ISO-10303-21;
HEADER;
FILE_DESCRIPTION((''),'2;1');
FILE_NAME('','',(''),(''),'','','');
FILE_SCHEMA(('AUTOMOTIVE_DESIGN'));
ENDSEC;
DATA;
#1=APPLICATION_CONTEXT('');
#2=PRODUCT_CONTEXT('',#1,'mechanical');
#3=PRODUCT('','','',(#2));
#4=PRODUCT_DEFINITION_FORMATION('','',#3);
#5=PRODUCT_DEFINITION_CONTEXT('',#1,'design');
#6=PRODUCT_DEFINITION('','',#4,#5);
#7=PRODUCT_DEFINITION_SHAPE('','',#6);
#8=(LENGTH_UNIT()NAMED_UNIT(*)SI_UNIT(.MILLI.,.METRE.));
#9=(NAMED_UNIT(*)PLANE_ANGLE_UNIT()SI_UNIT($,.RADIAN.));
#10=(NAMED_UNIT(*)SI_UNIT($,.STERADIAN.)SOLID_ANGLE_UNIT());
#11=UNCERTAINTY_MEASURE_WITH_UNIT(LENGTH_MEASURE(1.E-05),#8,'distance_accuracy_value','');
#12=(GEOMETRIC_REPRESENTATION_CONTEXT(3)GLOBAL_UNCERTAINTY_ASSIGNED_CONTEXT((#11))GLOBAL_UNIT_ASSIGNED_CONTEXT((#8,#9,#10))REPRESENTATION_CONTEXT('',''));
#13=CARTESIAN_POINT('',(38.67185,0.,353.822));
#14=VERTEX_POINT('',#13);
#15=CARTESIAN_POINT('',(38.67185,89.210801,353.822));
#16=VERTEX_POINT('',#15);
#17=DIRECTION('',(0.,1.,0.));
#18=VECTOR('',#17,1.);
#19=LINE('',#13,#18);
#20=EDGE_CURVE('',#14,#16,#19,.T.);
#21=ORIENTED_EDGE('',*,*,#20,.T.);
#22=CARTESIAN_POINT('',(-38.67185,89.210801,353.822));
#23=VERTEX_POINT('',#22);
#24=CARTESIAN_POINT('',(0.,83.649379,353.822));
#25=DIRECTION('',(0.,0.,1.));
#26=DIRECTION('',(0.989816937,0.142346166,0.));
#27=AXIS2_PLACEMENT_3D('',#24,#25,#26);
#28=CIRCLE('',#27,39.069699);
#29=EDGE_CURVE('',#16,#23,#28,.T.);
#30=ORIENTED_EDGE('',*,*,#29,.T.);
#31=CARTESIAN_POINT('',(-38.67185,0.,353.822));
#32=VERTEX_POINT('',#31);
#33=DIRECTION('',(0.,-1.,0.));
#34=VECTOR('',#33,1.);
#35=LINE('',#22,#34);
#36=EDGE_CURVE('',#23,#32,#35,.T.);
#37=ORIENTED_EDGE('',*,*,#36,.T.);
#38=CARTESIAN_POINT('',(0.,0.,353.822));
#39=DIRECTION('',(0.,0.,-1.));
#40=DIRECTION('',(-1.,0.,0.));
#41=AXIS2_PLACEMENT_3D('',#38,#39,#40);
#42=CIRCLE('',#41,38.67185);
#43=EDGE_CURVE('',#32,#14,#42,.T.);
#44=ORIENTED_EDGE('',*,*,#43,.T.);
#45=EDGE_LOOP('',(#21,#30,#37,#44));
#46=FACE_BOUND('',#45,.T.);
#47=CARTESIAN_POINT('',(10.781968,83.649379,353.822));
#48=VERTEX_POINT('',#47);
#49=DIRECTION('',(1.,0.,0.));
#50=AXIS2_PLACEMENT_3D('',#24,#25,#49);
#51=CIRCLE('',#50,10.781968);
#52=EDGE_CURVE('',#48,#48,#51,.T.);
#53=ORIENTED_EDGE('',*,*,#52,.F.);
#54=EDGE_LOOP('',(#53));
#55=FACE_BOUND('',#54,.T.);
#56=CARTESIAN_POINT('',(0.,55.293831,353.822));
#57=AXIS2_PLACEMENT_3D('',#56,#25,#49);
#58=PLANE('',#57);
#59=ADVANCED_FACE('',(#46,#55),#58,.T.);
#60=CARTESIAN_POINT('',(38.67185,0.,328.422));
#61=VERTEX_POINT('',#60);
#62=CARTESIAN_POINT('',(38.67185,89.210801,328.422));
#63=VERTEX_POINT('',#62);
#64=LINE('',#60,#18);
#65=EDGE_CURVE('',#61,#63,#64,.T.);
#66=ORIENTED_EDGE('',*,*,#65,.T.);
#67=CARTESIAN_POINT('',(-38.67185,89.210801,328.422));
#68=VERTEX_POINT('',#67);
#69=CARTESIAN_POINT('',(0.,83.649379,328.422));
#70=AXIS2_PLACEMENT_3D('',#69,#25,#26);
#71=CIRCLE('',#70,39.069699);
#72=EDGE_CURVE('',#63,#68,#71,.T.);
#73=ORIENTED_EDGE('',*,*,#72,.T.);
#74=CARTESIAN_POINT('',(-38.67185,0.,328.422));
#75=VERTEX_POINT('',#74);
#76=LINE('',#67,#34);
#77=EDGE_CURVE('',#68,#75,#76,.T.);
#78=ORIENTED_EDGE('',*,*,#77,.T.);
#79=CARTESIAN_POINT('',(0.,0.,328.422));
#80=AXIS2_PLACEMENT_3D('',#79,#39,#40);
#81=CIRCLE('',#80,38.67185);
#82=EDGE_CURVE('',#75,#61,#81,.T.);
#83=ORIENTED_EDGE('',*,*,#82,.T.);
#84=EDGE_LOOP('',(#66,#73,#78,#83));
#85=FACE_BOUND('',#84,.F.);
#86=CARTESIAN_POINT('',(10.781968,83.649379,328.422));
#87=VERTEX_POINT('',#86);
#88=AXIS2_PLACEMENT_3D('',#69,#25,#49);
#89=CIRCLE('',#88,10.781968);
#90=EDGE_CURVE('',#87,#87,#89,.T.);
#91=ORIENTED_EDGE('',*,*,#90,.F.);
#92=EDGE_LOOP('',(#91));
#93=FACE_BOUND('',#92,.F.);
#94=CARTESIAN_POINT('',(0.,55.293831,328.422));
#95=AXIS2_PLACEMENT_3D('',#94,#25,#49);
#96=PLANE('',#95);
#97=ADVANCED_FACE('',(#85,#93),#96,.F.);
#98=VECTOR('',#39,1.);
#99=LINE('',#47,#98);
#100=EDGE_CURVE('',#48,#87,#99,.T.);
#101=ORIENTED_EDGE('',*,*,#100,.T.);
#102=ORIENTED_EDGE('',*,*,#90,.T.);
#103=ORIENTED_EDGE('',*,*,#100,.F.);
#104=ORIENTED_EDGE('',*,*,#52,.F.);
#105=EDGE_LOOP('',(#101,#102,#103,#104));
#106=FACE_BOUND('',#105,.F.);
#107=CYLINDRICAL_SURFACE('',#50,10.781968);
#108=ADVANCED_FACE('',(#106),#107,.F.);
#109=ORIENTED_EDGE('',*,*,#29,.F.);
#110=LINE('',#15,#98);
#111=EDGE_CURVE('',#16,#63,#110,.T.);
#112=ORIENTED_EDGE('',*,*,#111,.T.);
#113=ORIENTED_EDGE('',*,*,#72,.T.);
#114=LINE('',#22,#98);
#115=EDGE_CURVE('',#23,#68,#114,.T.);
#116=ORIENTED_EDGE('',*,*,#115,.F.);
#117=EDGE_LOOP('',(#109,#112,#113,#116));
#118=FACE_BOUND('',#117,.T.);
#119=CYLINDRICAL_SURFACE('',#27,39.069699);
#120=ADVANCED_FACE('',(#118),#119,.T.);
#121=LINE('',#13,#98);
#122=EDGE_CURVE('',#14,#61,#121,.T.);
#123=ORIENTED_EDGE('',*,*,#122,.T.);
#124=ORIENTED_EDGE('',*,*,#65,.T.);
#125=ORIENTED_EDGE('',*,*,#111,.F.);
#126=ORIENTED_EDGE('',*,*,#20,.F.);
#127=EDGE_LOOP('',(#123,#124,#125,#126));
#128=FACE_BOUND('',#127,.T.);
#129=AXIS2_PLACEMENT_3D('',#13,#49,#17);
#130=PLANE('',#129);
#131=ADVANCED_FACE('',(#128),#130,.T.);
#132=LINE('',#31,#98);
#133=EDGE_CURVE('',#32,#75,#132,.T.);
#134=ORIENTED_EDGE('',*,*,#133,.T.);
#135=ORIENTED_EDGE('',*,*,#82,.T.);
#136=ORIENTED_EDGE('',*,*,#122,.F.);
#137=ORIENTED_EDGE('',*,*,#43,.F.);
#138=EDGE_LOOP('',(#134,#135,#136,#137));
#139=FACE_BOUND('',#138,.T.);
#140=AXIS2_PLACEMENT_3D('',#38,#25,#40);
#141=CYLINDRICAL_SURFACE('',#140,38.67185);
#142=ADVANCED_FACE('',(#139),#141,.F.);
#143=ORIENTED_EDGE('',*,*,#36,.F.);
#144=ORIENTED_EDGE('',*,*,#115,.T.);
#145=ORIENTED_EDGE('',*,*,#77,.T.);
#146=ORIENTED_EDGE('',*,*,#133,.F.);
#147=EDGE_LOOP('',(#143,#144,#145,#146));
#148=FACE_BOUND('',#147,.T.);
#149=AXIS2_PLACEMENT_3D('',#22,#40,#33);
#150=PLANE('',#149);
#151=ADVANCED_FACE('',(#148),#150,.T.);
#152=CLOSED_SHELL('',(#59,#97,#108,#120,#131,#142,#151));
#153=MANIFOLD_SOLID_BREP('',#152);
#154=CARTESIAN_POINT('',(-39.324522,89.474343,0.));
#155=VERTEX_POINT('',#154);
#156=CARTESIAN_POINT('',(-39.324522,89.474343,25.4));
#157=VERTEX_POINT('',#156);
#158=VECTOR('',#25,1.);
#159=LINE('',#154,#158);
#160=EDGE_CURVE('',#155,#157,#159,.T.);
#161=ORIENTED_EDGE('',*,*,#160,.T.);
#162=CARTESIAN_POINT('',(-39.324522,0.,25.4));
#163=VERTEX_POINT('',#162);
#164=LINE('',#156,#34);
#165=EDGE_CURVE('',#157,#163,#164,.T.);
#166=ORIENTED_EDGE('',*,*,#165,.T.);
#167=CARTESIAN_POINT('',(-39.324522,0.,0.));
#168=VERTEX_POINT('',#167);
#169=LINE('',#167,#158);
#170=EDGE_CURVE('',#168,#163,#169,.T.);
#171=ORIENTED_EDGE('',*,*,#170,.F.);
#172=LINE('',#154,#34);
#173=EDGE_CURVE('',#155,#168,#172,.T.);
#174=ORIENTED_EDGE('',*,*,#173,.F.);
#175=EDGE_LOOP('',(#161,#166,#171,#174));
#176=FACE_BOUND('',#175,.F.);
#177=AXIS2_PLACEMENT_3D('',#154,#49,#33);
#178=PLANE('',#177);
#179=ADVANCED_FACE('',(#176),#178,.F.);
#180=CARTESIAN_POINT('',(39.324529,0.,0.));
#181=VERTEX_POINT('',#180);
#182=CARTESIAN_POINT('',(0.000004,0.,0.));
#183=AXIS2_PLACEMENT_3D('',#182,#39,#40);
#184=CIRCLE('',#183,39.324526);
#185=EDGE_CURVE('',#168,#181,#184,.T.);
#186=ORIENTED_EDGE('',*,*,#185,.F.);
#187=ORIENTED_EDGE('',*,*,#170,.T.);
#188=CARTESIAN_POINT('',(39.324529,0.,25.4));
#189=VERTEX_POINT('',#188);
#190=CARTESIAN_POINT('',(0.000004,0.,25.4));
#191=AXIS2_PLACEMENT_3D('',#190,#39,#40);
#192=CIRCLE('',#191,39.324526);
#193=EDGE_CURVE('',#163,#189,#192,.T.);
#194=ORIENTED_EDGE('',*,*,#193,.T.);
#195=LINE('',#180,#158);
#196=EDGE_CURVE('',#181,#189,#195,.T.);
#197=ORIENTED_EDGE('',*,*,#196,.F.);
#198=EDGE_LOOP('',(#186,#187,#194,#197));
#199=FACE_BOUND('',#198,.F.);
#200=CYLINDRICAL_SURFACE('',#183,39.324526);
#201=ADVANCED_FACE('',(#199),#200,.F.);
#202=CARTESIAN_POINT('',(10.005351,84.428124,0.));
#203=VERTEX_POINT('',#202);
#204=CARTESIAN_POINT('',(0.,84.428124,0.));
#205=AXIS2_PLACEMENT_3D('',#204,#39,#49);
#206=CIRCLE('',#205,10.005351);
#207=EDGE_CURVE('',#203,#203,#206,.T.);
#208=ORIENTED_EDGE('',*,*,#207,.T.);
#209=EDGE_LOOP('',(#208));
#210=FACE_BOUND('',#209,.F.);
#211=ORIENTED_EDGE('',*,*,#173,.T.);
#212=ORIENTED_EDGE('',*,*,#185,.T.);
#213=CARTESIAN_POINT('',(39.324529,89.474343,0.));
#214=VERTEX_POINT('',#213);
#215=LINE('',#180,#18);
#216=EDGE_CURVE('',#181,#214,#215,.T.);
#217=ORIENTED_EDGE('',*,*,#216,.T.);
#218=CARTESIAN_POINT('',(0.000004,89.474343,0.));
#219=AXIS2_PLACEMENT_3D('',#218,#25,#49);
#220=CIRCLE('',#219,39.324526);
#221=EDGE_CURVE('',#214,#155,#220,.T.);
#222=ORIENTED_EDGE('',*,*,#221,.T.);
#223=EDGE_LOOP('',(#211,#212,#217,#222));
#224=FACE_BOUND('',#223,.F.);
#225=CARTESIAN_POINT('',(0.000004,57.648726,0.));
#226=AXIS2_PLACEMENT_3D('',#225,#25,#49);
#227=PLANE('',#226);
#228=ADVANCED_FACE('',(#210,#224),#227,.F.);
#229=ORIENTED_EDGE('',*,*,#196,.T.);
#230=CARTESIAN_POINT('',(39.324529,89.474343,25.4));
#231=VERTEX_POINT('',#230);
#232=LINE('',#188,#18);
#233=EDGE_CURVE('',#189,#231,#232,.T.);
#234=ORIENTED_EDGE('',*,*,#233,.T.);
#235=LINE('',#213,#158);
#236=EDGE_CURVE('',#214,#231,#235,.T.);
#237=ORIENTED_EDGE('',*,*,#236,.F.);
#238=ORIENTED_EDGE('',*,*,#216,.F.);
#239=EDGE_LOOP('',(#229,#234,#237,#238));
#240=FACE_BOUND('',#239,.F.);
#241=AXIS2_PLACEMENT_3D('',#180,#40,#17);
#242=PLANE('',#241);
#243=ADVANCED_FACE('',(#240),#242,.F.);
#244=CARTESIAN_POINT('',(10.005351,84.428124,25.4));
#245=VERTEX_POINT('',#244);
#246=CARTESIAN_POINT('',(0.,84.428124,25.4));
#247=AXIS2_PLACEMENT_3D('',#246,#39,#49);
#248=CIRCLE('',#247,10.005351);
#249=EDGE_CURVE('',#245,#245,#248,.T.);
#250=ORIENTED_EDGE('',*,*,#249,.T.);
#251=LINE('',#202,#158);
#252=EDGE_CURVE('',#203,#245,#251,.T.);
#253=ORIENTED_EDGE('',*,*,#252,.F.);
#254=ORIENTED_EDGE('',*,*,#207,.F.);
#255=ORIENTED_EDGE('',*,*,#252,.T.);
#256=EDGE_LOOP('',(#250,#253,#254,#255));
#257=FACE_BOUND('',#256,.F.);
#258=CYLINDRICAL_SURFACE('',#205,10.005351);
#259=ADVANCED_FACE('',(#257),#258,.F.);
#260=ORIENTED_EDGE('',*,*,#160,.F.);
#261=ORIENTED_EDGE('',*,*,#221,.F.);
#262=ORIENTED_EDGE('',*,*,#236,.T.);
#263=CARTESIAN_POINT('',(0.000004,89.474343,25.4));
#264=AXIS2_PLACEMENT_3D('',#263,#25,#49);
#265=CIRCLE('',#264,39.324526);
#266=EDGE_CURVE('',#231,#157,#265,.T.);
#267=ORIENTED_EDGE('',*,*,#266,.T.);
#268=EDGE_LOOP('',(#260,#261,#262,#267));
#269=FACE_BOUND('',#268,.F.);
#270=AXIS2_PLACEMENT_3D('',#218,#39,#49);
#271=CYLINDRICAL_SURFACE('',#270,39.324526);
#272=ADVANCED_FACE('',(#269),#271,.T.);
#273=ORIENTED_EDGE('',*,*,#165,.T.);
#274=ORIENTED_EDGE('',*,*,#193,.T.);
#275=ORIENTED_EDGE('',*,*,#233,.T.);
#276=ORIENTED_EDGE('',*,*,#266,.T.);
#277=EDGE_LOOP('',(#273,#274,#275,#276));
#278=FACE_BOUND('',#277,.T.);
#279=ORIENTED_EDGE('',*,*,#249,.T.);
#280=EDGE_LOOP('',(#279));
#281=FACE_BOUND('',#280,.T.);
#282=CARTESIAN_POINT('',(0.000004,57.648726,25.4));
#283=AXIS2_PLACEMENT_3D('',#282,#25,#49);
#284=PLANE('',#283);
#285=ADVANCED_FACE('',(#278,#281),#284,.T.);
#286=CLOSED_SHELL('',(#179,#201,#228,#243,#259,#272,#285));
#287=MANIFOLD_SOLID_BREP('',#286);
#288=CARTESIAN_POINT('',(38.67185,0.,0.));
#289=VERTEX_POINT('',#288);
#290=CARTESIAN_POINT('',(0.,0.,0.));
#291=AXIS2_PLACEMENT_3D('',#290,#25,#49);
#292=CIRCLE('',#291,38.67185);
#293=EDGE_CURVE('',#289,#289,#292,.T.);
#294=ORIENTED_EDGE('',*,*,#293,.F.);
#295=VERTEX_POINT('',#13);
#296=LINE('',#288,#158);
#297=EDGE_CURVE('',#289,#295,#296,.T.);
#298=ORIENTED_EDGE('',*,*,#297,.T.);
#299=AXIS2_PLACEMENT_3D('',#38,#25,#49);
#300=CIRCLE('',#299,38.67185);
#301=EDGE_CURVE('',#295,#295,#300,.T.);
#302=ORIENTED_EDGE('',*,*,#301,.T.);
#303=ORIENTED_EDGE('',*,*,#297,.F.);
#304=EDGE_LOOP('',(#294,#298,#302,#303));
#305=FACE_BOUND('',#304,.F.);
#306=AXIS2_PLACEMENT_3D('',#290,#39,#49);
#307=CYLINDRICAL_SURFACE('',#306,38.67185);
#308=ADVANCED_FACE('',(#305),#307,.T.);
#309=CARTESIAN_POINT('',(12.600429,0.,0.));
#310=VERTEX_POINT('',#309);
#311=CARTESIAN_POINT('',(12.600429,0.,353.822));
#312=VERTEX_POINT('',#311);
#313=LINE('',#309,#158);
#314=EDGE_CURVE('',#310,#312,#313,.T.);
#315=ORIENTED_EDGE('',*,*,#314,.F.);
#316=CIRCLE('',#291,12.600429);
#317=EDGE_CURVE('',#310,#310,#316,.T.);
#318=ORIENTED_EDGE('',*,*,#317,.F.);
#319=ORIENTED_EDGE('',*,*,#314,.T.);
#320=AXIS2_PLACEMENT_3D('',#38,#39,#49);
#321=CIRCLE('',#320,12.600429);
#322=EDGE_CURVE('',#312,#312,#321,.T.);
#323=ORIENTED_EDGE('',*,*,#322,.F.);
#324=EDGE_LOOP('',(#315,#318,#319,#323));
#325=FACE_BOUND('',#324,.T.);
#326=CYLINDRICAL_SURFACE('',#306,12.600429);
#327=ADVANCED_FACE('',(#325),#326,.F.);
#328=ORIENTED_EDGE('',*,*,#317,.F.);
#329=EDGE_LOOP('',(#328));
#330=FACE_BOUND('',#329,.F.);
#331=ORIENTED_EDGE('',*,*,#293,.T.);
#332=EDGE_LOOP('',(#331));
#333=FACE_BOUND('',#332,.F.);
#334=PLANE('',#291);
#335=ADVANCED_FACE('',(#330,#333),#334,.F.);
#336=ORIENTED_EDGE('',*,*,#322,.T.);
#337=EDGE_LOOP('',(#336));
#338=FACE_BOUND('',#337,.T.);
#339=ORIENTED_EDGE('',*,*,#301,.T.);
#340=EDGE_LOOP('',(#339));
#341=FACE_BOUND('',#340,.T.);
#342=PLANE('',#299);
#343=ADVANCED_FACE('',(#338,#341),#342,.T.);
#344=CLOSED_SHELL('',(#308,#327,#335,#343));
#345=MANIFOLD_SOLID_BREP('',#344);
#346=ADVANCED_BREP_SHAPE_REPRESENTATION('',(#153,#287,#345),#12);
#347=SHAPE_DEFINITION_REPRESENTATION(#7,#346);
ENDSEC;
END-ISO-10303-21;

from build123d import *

# Parameters (mm, degrees)
F0_R      = 38.6718500402
F1_DEPTH  = 353.822
F2_R      = 12.6004290601
F3_DEPTH  = 353.823
F5_DEPTH  = 25.4
F7_DEPTH  = 25.4
F8_R      = 10.7819681828
F9_DEPTH  = 353.823
F10_R     = 10.0053513845
F11_DEPTH = 353.823


with BuildPart() as f1:
    # F0 (on Top) → F1 (new body)
    with BuildSketch(Plane.XY):
        Circle(F0_R)
    extrude(amount=F1_DEPTH)

    # F2 (on Top) → F3 (cut, through all)
    with BuildSketch(Plane.XY):
        Circle(F2_R)
    extrude(amount=F3_DEPTH, mode=Mode.SUBTRACT)


with BuildPart() as f5:
    # F4 (on Top) → F5 (new body)
    with BuildSketch(Plane.XY):
        with BuildLine():
            Line((-39.3245220184, 75.7770314813), (-39.3245220184, 0))
            ThreePointArc((-39.3245220184, 0), (3.7253e-06, 39.3245257437), (39.324529469, 0))
            Line((39.324529469, 0), (39.324529469, 75.7770314813))
            Line((39.324529469, 75.7770314813), (39.324529469, 89.4743427634))
            ThreePointArc((39.324529469, 89.4743427634), (3.7253e-06, 128.7988685071), (-39.3245220184, 89.4743427634))
            Line((-39.3245220184, 89.4743427634), (-39.3245220184, 75.7770314813))
        make_face()
    extrude(amount=F5_DEPTH)

    # F10 (on face) → F11 (cut, through all)
    with BuildSketch(Plane(origin=(0, 0, 0), x_dir=(1, 0, 0), z_dir=(0, 0, -1))):
        with Locations((0, -84.4281241298)):
            Circle(F10_R)
    extrude(amount=-F11_DEPTH, mode=Mode.SUBTRACT)


with BuildPart() as f7:
    # F6 (on face) → F7 (new body)
    with BuildSketch(Plane.XY.offset(353.822)):
        with BuildLine():
            Line((-38.6718500402, 89.2108008265), (-38.6718500402, 0))
            ThreePointArc((-38.6718500402, 0), (0, 38.6718500402), (38.6718500402, 0))
            Line((38.6718500402, 0), (38.6718500402, 89.2108008265))
            ThreePointArc((38.6718500402, 89.2108008265), (0, 122.719078192), (-38.6718500402, 89.2108008265))
        make_face()
    extrude(amount=-F7_DEPTH)

    # F8 (on face) → F9 (cut, through all)
    with BuildSketch(Plane.XY.offset(353.822)):
        with Locations((0, 83.6493789506)):
            Circle(F8_R)
    extrude(amount=-F9_DEPTH, mode=Mode.SUBTRACT)


solid = Compound([f1.part, f5.part, f7.part])
